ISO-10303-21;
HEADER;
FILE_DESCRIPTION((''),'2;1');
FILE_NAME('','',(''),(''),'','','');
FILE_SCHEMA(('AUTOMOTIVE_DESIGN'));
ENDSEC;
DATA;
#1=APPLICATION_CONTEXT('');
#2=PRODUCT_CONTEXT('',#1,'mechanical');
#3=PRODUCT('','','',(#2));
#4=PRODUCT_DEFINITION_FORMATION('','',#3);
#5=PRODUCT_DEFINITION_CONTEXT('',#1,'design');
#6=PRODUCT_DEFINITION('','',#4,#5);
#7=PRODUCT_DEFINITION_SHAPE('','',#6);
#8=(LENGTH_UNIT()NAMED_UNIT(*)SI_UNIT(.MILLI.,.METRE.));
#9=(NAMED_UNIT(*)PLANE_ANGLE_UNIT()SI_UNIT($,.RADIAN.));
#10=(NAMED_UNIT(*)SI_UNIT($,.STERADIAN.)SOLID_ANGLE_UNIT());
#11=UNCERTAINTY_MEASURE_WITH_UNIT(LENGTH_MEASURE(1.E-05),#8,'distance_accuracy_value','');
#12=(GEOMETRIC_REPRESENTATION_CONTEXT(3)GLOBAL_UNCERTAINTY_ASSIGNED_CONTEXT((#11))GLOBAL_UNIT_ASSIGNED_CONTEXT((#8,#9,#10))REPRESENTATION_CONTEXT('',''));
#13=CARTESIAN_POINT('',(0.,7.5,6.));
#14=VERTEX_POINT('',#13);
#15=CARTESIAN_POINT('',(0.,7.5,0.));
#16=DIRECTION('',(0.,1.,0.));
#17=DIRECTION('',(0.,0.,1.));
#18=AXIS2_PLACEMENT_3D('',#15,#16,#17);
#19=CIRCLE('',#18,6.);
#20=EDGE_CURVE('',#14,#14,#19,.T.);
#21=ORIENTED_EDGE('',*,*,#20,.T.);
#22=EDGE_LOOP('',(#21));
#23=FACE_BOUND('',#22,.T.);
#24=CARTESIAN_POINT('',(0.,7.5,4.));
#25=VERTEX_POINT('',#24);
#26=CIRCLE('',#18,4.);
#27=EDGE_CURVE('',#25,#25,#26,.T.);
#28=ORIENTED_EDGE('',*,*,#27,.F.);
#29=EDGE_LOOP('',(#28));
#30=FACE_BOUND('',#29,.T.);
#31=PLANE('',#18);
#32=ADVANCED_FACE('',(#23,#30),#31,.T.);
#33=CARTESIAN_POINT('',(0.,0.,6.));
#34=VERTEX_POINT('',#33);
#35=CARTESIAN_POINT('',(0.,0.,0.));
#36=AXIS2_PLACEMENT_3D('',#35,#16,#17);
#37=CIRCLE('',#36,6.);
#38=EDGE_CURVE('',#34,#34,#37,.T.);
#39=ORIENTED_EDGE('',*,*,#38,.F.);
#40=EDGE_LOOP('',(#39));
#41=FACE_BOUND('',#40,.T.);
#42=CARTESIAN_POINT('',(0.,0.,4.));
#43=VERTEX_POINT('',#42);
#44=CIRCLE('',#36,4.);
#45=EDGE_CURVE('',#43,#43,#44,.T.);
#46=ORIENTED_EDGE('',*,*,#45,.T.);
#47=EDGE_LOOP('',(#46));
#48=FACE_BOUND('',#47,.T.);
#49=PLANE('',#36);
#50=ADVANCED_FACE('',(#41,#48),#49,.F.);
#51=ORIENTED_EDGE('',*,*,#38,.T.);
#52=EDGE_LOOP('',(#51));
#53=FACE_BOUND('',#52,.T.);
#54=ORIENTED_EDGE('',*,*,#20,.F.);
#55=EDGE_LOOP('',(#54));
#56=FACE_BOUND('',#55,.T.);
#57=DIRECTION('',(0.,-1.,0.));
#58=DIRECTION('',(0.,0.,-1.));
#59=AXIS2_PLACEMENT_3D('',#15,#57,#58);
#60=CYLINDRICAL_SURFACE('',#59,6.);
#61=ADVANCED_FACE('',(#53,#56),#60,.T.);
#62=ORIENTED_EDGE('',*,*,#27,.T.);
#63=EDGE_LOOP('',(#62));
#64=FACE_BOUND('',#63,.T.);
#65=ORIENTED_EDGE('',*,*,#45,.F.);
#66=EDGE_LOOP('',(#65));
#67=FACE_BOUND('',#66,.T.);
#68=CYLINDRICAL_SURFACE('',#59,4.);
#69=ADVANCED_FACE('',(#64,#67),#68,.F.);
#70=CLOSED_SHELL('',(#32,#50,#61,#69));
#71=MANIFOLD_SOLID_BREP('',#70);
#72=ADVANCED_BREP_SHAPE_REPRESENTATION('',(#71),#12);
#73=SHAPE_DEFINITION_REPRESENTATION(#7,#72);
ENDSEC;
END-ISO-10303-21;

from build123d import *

# Parameters (mm, degrees)
SKETCH1_R           = 6
SKETCH1_R_2         = 4
BOSS_EXTRUDE1_DEPTH = 7.5


with BuildPart() as part:
    # Sketch1 → Boss-Extrude1 (new body)
    with BuildSketch(Plane(origin=(0, 0, 0), x_dir=(1, 0, 0), z_dir=(0, 1, 0))):
        Circle(SKETCH1_R)
        Circle(SKETCH1_R_2, mode=Mode.SUBTRACT)
    extrude(amount=BOSS_EXTRUDE1_DEPTH)


solid = part.part
